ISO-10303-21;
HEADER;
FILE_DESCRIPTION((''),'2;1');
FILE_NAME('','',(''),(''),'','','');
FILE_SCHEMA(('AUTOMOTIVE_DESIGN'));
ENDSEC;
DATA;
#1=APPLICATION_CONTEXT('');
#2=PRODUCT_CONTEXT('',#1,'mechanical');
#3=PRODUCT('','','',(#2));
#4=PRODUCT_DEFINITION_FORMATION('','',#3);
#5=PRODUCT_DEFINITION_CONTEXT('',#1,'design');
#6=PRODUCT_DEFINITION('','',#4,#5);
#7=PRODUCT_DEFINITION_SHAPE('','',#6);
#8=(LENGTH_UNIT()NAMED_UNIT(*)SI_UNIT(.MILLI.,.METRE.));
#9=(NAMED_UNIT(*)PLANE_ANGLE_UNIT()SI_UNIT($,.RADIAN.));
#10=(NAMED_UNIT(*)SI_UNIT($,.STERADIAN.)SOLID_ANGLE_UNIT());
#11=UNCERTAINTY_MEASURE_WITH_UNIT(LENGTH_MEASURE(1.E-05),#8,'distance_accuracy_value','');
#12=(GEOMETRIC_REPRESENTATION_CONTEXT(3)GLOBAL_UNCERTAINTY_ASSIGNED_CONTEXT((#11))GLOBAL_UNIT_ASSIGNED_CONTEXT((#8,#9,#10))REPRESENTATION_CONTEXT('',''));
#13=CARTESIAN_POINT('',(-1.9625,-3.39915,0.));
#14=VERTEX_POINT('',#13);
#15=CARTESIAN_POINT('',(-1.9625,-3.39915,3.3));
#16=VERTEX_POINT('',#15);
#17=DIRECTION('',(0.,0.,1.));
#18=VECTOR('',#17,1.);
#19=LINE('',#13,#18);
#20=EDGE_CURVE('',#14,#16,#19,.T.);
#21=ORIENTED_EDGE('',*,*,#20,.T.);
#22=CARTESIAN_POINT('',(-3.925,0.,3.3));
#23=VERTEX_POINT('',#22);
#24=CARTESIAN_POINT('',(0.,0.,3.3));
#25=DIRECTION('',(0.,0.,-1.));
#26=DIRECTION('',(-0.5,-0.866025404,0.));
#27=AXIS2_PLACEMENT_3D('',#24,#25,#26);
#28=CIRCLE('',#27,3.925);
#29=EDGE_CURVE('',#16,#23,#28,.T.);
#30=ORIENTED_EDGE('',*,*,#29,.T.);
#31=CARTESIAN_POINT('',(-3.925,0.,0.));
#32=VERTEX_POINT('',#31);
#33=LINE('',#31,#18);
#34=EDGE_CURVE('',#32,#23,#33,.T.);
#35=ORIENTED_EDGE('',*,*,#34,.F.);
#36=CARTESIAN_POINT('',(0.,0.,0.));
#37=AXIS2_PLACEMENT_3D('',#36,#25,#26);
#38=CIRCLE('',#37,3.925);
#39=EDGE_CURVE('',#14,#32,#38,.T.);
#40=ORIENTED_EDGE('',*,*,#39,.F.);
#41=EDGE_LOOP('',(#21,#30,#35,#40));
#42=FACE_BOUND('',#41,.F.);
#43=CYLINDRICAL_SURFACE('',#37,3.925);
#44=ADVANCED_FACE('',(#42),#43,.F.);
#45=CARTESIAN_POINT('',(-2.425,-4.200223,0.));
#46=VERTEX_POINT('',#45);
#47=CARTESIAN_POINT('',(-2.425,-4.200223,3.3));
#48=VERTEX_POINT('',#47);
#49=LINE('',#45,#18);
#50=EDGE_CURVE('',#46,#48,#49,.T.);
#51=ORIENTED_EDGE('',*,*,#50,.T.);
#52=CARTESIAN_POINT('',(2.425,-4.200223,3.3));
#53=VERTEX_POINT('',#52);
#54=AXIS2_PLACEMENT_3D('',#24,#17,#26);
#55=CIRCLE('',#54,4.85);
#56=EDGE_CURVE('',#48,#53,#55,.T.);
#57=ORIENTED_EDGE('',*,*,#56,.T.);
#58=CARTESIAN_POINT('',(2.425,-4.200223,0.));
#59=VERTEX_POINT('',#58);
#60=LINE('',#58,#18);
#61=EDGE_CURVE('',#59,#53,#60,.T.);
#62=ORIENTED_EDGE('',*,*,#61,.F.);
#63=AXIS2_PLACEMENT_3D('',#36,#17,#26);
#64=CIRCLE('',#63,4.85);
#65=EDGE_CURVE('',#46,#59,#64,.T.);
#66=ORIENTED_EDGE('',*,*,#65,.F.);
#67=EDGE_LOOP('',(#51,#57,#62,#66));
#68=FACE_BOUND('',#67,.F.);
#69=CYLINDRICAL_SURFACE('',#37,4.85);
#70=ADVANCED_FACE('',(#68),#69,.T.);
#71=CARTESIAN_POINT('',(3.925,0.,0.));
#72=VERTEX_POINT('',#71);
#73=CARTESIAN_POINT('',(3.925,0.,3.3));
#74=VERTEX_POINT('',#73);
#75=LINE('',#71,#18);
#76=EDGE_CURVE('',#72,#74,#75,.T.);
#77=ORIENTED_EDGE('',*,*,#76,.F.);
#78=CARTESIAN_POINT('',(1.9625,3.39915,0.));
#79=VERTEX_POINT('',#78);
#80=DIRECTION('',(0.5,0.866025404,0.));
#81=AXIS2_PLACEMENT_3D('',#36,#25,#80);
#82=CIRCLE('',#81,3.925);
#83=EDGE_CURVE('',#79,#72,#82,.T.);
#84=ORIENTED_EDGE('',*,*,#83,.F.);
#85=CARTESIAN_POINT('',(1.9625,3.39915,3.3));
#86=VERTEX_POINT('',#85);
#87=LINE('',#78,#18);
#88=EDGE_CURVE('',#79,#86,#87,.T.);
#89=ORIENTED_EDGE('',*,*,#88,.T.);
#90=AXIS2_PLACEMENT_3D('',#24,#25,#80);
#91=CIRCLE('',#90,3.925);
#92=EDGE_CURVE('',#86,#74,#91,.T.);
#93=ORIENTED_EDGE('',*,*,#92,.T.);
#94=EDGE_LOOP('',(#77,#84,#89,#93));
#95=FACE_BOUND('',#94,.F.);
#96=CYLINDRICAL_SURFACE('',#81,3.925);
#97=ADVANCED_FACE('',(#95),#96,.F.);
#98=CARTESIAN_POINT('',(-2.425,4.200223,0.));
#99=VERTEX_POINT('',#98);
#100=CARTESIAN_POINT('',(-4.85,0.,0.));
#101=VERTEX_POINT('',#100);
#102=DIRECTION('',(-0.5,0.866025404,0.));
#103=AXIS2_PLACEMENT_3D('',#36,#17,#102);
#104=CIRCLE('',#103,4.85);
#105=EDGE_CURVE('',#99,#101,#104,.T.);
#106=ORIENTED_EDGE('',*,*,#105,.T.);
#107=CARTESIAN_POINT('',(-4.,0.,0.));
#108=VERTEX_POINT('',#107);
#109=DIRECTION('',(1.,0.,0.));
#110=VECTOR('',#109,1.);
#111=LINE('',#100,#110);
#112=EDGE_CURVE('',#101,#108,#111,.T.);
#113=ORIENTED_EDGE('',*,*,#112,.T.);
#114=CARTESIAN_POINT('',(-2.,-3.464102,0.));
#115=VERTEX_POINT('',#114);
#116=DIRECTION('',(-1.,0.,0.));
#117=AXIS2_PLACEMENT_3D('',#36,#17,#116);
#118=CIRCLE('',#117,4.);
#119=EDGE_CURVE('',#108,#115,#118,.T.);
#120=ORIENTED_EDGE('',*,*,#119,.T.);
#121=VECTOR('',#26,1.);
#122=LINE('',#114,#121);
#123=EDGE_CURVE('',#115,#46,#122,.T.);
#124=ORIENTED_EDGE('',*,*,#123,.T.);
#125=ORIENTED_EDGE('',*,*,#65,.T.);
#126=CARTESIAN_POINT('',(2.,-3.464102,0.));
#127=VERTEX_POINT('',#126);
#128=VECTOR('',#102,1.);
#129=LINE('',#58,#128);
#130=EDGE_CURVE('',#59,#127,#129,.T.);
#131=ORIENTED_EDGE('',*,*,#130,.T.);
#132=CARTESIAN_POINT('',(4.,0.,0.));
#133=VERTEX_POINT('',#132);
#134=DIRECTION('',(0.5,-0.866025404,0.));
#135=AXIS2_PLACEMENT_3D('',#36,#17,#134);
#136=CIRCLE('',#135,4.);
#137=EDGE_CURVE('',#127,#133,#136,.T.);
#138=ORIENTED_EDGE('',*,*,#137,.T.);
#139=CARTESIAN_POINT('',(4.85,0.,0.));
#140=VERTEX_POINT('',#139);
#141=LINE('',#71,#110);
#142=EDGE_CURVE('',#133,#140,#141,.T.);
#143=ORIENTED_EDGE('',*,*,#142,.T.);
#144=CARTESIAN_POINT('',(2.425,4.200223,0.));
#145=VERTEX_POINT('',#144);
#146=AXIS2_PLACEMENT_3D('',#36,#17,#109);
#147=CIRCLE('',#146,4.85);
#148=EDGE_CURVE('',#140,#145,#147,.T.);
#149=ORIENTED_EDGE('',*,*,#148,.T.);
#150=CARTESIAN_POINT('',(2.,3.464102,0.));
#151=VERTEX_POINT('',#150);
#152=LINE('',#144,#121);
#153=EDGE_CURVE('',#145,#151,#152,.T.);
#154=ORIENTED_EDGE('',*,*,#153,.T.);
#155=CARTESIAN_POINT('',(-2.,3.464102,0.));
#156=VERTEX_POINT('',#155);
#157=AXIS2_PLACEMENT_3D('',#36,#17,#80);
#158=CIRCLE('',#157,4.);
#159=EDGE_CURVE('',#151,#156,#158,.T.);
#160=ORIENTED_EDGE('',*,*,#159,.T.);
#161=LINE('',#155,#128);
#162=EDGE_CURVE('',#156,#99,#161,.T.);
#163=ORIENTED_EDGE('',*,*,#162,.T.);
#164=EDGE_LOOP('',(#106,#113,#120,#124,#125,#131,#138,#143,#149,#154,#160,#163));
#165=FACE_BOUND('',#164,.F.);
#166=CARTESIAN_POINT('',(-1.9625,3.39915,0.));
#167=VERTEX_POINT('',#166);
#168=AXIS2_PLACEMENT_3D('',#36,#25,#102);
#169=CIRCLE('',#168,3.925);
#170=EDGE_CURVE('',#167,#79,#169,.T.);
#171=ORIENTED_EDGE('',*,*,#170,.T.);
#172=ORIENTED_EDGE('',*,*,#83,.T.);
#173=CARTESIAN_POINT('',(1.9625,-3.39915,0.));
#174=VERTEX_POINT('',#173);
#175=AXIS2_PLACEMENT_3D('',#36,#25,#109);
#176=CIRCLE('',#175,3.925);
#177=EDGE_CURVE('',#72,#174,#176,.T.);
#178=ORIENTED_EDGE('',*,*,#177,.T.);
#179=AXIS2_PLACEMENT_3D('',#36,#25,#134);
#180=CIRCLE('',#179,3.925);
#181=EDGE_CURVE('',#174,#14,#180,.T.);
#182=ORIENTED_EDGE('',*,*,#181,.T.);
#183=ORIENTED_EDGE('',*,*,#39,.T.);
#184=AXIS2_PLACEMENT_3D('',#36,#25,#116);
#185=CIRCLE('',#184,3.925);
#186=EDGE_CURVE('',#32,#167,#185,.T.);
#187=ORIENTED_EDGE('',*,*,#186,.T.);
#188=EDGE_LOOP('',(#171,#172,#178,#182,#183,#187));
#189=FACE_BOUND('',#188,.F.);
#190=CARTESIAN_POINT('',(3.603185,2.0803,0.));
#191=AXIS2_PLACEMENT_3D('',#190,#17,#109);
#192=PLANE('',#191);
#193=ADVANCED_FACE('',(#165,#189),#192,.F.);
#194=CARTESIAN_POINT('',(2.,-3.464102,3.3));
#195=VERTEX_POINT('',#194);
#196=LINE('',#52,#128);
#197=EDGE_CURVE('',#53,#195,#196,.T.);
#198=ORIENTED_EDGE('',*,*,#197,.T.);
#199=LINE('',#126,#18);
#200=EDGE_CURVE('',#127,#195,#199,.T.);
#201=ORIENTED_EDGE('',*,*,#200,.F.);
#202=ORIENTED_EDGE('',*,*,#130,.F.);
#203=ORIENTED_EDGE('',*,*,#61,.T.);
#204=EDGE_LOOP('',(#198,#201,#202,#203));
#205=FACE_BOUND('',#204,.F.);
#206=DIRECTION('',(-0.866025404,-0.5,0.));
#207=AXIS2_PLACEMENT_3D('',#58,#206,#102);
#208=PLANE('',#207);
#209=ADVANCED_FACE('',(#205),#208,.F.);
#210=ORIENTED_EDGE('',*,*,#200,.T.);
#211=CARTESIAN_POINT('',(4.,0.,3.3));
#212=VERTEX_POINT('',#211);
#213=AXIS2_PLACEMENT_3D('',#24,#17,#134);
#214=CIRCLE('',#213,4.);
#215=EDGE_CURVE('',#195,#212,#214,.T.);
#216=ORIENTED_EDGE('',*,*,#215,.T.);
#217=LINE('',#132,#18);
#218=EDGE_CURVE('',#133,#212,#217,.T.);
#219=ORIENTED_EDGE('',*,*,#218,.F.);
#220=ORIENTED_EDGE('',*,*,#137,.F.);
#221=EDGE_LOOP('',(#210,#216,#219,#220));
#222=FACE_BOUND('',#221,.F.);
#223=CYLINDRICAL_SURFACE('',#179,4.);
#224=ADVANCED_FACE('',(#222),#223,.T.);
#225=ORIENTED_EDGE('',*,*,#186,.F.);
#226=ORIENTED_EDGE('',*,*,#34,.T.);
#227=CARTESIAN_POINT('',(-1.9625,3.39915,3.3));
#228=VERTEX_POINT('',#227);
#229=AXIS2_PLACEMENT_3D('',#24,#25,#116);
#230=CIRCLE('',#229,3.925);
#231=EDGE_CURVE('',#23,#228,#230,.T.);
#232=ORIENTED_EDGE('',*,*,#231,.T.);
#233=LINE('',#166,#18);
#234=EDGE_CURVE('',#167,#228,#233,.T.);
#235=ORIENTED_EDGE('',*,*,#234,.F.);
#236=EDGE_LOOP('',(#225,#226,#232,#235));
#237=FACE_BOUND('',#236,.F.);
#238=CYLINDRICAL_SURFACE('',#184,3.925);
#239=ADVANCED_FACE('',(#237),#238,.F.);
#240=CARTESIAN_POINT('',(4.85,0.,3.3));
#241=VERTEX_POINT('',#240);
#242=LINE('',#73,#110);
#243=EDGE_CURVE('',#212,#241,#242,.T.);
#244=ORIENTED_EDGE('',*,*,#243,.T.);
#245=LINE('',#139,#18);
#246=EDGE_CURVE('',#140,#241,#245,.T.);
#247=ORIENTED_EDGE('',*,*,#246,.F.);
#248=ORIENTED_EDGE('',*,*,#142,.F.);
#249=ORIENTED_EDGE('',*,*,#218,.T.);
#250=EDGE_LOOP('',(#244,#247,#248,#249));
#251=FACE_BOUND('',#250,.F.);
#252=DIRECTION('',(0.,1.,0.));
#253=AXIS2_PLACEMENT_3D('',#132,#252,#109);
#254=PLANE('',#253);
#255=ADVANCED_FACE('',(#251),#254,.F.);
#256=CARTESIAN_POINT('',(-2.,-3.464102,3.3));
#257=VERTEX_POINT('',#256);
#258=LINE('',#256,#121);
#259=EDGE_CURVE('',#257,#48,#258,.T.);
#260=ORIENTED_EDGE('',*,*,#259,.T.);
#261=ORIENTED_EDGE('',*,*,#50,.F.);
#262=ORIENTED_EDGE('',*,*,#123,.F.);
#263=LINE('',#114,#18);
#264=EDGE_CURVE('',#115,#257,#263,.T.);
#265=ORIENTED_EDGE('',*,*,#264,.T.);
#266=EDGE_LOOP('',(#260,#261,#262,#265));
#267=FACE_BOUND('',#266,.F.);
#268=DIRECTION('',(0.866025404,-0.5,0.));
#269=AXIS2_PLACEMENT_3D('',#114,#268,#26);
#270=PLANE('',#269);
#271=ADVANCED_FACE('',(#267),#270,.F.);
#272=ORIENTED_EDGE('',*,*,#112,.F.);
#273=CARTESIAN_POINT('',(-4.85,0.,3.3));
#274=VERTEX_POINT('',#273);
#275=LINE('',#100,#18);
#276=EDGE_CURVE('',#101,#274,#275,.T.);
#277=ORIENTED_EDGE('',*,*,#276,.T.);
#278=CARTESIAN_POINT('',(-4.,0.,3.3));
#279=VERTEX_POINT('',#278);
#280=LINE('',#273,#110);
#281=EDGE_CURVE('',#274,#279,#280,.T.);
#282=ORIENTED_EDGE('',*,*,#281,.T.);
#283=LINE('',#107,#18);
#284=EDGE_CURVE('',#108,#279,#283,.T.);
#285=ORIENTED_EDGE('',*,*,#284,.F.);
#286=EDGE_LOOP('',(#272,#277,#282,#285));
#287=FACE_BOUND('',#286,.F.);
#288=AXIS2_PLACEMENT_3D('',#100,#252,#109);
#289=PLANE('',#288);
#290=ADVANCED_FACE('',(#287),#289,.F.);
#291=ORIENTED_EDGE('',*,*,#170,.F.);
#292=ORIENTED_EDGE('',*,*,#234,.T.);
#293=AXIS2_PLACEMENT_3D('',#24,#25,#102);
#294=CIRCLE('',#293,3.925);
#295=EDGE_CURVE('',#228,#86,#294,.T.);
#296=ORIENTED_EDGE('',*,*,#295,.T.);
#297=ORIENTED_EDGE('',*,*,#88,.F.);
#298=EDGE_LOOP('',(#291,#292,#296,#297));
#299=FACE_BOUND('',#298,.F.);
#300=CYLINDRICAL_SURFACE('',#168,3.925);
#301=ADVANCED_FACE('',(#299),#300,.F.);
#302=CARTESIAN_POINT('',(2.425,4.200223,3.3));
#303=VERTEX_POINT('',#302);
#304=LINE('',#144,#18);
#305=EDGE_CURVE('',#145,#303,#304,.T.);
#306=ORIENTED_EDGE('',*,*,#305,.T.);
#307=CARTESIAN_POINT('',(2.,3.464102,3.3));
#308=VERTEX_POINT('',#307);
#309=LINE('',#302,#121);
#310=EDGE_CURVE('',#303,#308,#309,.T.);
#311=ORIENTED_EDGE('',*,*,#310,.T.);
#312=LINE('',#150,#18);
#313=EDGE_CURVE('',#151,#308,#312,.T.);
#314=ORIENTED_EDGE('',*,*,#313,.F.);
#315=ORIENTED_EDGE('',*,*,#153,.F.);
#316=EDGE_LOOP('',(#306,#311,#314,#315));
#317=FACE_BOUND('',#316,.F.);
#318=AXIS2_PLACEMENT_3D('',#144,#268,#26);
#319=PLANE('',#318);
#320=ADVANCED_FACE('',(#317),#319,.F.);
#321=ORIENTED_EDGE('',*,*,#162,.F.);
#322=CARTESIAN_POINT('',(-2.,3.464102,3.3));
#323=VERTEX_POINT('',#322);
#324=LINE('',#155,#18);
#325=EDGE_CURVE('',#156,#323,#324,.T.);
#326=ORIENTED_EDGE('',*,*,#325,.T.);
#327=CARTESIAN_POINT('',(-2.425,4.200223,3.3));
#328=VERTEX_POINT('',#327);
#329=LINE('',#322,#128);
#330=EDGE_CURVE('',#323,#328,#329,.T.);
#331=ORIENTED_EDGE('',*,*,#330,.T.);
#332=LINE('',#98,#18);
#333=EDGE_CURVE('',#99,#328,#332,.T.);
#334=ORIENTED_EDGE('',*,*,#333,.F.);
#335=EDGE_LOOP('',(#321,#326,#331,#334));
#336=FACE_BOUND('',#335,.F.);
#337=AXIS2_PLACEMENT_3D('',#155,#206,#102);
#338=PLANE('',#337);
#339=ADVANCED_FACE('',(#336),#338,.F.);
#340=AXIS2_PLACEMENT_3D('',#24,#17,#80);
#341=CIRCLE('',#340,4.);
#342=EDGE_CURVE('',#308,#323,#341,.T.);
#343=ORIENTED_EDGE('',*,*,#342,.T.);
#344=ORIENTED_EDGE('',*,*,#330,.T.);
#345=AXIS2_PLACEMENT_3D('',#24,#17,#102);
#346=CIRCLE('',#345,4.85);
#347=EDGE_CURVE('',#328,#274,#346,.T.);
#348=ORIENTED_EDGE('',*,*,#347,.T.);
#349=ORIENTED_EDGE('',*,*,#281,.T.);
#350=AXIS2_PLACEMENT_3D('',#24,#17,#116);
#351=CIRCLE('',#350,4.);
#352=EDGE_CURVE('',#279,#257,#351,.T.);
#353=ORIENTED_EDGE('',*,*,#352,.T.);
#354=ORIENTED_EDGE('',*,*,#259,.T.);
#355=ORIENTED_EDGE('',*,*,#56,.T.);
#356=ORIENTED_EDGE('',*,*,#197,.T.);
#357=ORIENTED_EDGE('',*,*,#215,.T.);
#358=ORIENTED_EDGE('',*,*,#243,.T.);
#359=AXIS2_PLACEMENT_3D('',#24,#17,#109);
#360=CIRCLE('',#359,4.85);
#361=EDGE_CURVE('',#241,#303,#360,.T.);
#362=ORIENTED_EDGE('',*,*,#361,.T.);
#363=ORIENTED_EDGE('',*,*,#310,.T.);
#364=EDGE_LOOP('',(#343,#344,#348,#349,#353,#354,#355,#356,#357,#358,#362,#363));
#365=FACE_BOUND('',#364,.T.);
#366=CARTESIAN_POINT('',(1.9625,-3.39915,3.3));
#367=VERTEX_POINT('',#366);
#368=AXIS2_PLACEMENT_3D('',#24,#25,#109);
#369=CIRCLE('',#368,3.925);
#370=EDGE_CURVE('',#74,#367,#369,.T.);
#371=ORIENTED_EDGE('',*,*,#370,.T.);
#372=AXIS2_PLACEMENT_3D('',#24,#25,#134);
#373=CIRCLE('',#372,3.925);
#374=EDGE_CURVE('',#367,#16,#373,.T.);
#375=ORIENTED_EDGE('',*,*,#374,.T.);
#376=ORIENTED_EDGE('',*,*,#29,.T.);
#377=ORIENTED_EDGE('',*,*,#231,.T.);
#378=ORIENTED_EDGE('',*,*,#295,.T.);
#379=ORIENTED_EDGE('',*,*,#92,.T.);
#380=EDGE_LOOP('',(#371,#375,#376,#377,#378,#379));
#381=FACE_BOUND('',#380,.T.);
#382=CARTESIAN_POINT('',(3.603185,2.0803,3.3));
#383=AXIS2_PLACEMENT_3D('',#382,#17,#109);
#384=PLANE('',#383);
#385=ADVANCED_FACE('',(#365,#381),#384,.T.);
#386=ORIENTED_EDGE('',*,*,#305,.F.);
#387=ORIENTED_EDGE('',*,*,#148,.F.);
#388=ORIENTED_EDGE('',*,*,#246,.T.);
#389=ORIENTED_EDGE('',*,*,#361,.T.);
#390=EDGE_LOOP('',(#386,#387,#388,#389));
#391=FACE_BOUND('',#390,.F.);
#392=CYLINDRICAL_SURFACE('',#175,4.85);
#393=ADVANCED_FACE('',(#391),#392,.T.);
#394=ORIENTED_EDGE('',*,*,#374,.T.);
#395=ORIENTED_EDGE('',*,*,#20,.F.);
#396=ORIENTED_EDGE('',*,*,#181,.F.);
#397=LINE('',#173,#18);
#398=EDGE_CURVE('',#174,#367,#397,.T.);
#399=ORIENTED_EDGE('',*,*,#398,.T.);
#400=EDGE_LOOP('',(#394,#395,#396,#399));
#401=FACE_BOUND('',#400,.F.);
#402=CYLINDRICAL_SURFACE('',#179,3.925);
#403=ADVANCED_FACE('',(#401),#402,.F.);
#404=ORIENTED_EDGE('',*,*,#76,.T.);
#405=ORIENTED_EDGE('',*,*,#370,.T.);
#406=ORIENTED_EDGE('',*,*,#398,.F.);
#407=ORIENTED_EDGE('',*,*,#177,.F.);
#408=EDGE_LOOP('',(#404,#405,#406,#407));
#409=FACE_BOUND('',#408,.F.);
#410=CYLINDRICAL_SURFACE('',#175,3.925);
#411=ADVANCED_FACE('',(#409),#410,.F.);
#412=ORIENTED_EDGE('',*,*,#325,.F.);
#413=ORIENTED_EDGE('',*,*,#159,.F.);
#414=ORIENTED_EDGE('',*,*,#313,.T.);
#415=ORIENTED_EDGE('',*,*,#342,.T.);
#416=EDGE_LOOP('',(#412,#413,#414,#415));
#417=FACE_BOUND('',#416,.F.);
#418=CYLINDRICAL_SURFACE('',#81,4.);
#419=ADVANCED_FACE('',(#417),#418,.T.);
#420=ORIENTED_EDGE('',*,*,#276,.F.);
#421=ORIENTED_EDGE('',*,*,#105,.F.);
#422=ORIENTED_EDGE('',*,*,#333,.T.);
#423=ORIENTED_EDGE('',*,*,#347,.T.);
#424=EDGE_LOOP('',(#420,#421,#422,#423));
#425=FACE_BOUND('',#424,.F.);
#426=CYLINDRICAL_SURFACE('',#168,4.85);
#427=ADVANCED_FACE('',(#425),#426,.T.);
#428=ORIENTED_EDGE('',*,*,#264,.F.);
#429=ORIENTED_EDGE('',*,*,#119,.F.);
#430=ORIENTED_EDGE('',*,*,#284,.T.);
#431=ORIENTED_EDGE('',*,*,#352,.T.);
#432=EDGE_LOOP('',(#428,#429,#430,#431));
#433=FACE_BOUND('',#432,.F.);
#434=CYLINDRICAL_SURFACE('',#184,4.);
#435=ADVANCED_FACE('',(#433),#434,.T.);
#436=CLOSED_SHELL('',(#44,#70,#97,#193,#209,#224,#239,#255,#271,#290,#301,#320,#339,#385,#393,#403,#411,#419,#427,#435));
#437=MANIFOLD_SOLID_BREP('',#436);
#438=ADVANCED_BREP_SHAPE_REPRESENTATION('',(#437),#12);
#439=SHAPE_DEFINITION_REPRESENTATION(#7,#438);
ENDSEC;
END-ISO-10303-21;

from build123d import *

# Parameters (mm, degrees)
F1_DEPTH = 3.3


with BuildPart() as f1:
    # F0 (on Top) → F1 (new body)
    with BuildSketch(Plane.XY):
        with BuildLine():
            ThreePointArc((2, 3.4641016151), (3.4641016151, 2), (4, 0))
            Line((4, 0), (4.85, 0))
            ThreePointArc((4.85, 0), (4.2002232084, 2.425), (2.425, 4.2002232084))
            Line((2.425, 4.2002232084), (2, 3.4641016151))
        make_face()
        with BuildLine():
            ThreePointArc((1.9625, 3.3991497099), (3.3991497099, 1.9625), (3.925, 0))
            Line((3.925, 0), (4, 0))
            ThreePointArc((4, 0), (3.4641016151, 2), (2, 3.4641016151))
            Line((2, 3.4641016151), (1.9625, 3.3991497099))
        make_face()
        with BuildLine():
            ThreePointArc((-1.9625, 3.3991497099), (0, 3.925), (1.9625, 3.3991497099))
            Line((1.9625, 3.3991497099), (2, 3.4641016151))
            ThreePointArc((2, 3.4641016151), (0, 4), (-2, 3.4641016151))
            Line((-2, 3.4641016151), (-1.9625, 3.3991497099))
        make_face()
        with BuildLine():
            ThreePointArc((-3.925, 0), (-3.3991497099, 1.9625), (-1.9625, 3.3991497099))
            Line((-1.9625, 3.3991497099), (-2, 3.4641016151))
            ThreePointArc((-2, 3.4641016151), (-3.4641016151, 2), (-4, 0))
            Line((-4, 0), (-3.925, 0))
        make_face()
        with BuildLine():
            ThreePointArc((-4, 0), (-3.4641016151, 2), (-2, 3.4641016151))
            Line((-2, 3.4641016151), (-2.425, 4.2002232084))
            ThreePointArc((-2.425, 4.2002232084), (-4.2002232084, 2.425), (-4.85, 0))
            Line((-4.85, 0), (-4, 0))
        make_face()
        with BuildLine():
            Line((-2, -3.4641016151), (-1.9625, -3.3991497099))
            ThreePointArc((-1.9625, -3.3991497099), (-3.3991497099, -1.9625), (-3.925, 0))
            Line((-3.925, 0), (-4, 0))
            ThreePointArc((-4, 0), (-3.4641016151, -2), (-2, -3.4641016151))
        make_face()
        with BuildLine():
            Line((2.425, -4.2002232084), (2, -3.4641016151))
            ThreePointArc((2, -3.4641016151), (0, -4), (-2, -3.4641016151))
            Line((-2, -3.4641016151), (-2.425, -4.2002232084))
            ThreePointArc((-2.425, -4.2002232084), (0, -4.85), (2.425, -4.2002232084))
        make_face()
        with BuildLine():
            Line((2, -3.4641016151), (1.9625, -3.3991497099))
            ThreePointArc((1.9625, -3.3991497099), (0, -3.925), (-1.9625, -3.3991497099))
            Line((-1.9625, -3.3991497099), (-2, -3.4641016151))
            ThreePointArc((-2, -3.4641016151), (0, -4), (2, -3.4641016151))
        make_face()
        with BuildLine():
            Line((4, 0), (3.925, 0))
            ThreePointArc((3.925, 0), (3.3991497099, -1.9625), (1.9625, -3.3991497099))
            Line((1.9625, -3.3991497099), (2, -3.4641016151))
            ThreePointArc((2, -3.4641016151), (3.4641016151, -2), (4, 0))
        make_face()
    extrude(amount=F1_DEPTH)


solid = f1.part
